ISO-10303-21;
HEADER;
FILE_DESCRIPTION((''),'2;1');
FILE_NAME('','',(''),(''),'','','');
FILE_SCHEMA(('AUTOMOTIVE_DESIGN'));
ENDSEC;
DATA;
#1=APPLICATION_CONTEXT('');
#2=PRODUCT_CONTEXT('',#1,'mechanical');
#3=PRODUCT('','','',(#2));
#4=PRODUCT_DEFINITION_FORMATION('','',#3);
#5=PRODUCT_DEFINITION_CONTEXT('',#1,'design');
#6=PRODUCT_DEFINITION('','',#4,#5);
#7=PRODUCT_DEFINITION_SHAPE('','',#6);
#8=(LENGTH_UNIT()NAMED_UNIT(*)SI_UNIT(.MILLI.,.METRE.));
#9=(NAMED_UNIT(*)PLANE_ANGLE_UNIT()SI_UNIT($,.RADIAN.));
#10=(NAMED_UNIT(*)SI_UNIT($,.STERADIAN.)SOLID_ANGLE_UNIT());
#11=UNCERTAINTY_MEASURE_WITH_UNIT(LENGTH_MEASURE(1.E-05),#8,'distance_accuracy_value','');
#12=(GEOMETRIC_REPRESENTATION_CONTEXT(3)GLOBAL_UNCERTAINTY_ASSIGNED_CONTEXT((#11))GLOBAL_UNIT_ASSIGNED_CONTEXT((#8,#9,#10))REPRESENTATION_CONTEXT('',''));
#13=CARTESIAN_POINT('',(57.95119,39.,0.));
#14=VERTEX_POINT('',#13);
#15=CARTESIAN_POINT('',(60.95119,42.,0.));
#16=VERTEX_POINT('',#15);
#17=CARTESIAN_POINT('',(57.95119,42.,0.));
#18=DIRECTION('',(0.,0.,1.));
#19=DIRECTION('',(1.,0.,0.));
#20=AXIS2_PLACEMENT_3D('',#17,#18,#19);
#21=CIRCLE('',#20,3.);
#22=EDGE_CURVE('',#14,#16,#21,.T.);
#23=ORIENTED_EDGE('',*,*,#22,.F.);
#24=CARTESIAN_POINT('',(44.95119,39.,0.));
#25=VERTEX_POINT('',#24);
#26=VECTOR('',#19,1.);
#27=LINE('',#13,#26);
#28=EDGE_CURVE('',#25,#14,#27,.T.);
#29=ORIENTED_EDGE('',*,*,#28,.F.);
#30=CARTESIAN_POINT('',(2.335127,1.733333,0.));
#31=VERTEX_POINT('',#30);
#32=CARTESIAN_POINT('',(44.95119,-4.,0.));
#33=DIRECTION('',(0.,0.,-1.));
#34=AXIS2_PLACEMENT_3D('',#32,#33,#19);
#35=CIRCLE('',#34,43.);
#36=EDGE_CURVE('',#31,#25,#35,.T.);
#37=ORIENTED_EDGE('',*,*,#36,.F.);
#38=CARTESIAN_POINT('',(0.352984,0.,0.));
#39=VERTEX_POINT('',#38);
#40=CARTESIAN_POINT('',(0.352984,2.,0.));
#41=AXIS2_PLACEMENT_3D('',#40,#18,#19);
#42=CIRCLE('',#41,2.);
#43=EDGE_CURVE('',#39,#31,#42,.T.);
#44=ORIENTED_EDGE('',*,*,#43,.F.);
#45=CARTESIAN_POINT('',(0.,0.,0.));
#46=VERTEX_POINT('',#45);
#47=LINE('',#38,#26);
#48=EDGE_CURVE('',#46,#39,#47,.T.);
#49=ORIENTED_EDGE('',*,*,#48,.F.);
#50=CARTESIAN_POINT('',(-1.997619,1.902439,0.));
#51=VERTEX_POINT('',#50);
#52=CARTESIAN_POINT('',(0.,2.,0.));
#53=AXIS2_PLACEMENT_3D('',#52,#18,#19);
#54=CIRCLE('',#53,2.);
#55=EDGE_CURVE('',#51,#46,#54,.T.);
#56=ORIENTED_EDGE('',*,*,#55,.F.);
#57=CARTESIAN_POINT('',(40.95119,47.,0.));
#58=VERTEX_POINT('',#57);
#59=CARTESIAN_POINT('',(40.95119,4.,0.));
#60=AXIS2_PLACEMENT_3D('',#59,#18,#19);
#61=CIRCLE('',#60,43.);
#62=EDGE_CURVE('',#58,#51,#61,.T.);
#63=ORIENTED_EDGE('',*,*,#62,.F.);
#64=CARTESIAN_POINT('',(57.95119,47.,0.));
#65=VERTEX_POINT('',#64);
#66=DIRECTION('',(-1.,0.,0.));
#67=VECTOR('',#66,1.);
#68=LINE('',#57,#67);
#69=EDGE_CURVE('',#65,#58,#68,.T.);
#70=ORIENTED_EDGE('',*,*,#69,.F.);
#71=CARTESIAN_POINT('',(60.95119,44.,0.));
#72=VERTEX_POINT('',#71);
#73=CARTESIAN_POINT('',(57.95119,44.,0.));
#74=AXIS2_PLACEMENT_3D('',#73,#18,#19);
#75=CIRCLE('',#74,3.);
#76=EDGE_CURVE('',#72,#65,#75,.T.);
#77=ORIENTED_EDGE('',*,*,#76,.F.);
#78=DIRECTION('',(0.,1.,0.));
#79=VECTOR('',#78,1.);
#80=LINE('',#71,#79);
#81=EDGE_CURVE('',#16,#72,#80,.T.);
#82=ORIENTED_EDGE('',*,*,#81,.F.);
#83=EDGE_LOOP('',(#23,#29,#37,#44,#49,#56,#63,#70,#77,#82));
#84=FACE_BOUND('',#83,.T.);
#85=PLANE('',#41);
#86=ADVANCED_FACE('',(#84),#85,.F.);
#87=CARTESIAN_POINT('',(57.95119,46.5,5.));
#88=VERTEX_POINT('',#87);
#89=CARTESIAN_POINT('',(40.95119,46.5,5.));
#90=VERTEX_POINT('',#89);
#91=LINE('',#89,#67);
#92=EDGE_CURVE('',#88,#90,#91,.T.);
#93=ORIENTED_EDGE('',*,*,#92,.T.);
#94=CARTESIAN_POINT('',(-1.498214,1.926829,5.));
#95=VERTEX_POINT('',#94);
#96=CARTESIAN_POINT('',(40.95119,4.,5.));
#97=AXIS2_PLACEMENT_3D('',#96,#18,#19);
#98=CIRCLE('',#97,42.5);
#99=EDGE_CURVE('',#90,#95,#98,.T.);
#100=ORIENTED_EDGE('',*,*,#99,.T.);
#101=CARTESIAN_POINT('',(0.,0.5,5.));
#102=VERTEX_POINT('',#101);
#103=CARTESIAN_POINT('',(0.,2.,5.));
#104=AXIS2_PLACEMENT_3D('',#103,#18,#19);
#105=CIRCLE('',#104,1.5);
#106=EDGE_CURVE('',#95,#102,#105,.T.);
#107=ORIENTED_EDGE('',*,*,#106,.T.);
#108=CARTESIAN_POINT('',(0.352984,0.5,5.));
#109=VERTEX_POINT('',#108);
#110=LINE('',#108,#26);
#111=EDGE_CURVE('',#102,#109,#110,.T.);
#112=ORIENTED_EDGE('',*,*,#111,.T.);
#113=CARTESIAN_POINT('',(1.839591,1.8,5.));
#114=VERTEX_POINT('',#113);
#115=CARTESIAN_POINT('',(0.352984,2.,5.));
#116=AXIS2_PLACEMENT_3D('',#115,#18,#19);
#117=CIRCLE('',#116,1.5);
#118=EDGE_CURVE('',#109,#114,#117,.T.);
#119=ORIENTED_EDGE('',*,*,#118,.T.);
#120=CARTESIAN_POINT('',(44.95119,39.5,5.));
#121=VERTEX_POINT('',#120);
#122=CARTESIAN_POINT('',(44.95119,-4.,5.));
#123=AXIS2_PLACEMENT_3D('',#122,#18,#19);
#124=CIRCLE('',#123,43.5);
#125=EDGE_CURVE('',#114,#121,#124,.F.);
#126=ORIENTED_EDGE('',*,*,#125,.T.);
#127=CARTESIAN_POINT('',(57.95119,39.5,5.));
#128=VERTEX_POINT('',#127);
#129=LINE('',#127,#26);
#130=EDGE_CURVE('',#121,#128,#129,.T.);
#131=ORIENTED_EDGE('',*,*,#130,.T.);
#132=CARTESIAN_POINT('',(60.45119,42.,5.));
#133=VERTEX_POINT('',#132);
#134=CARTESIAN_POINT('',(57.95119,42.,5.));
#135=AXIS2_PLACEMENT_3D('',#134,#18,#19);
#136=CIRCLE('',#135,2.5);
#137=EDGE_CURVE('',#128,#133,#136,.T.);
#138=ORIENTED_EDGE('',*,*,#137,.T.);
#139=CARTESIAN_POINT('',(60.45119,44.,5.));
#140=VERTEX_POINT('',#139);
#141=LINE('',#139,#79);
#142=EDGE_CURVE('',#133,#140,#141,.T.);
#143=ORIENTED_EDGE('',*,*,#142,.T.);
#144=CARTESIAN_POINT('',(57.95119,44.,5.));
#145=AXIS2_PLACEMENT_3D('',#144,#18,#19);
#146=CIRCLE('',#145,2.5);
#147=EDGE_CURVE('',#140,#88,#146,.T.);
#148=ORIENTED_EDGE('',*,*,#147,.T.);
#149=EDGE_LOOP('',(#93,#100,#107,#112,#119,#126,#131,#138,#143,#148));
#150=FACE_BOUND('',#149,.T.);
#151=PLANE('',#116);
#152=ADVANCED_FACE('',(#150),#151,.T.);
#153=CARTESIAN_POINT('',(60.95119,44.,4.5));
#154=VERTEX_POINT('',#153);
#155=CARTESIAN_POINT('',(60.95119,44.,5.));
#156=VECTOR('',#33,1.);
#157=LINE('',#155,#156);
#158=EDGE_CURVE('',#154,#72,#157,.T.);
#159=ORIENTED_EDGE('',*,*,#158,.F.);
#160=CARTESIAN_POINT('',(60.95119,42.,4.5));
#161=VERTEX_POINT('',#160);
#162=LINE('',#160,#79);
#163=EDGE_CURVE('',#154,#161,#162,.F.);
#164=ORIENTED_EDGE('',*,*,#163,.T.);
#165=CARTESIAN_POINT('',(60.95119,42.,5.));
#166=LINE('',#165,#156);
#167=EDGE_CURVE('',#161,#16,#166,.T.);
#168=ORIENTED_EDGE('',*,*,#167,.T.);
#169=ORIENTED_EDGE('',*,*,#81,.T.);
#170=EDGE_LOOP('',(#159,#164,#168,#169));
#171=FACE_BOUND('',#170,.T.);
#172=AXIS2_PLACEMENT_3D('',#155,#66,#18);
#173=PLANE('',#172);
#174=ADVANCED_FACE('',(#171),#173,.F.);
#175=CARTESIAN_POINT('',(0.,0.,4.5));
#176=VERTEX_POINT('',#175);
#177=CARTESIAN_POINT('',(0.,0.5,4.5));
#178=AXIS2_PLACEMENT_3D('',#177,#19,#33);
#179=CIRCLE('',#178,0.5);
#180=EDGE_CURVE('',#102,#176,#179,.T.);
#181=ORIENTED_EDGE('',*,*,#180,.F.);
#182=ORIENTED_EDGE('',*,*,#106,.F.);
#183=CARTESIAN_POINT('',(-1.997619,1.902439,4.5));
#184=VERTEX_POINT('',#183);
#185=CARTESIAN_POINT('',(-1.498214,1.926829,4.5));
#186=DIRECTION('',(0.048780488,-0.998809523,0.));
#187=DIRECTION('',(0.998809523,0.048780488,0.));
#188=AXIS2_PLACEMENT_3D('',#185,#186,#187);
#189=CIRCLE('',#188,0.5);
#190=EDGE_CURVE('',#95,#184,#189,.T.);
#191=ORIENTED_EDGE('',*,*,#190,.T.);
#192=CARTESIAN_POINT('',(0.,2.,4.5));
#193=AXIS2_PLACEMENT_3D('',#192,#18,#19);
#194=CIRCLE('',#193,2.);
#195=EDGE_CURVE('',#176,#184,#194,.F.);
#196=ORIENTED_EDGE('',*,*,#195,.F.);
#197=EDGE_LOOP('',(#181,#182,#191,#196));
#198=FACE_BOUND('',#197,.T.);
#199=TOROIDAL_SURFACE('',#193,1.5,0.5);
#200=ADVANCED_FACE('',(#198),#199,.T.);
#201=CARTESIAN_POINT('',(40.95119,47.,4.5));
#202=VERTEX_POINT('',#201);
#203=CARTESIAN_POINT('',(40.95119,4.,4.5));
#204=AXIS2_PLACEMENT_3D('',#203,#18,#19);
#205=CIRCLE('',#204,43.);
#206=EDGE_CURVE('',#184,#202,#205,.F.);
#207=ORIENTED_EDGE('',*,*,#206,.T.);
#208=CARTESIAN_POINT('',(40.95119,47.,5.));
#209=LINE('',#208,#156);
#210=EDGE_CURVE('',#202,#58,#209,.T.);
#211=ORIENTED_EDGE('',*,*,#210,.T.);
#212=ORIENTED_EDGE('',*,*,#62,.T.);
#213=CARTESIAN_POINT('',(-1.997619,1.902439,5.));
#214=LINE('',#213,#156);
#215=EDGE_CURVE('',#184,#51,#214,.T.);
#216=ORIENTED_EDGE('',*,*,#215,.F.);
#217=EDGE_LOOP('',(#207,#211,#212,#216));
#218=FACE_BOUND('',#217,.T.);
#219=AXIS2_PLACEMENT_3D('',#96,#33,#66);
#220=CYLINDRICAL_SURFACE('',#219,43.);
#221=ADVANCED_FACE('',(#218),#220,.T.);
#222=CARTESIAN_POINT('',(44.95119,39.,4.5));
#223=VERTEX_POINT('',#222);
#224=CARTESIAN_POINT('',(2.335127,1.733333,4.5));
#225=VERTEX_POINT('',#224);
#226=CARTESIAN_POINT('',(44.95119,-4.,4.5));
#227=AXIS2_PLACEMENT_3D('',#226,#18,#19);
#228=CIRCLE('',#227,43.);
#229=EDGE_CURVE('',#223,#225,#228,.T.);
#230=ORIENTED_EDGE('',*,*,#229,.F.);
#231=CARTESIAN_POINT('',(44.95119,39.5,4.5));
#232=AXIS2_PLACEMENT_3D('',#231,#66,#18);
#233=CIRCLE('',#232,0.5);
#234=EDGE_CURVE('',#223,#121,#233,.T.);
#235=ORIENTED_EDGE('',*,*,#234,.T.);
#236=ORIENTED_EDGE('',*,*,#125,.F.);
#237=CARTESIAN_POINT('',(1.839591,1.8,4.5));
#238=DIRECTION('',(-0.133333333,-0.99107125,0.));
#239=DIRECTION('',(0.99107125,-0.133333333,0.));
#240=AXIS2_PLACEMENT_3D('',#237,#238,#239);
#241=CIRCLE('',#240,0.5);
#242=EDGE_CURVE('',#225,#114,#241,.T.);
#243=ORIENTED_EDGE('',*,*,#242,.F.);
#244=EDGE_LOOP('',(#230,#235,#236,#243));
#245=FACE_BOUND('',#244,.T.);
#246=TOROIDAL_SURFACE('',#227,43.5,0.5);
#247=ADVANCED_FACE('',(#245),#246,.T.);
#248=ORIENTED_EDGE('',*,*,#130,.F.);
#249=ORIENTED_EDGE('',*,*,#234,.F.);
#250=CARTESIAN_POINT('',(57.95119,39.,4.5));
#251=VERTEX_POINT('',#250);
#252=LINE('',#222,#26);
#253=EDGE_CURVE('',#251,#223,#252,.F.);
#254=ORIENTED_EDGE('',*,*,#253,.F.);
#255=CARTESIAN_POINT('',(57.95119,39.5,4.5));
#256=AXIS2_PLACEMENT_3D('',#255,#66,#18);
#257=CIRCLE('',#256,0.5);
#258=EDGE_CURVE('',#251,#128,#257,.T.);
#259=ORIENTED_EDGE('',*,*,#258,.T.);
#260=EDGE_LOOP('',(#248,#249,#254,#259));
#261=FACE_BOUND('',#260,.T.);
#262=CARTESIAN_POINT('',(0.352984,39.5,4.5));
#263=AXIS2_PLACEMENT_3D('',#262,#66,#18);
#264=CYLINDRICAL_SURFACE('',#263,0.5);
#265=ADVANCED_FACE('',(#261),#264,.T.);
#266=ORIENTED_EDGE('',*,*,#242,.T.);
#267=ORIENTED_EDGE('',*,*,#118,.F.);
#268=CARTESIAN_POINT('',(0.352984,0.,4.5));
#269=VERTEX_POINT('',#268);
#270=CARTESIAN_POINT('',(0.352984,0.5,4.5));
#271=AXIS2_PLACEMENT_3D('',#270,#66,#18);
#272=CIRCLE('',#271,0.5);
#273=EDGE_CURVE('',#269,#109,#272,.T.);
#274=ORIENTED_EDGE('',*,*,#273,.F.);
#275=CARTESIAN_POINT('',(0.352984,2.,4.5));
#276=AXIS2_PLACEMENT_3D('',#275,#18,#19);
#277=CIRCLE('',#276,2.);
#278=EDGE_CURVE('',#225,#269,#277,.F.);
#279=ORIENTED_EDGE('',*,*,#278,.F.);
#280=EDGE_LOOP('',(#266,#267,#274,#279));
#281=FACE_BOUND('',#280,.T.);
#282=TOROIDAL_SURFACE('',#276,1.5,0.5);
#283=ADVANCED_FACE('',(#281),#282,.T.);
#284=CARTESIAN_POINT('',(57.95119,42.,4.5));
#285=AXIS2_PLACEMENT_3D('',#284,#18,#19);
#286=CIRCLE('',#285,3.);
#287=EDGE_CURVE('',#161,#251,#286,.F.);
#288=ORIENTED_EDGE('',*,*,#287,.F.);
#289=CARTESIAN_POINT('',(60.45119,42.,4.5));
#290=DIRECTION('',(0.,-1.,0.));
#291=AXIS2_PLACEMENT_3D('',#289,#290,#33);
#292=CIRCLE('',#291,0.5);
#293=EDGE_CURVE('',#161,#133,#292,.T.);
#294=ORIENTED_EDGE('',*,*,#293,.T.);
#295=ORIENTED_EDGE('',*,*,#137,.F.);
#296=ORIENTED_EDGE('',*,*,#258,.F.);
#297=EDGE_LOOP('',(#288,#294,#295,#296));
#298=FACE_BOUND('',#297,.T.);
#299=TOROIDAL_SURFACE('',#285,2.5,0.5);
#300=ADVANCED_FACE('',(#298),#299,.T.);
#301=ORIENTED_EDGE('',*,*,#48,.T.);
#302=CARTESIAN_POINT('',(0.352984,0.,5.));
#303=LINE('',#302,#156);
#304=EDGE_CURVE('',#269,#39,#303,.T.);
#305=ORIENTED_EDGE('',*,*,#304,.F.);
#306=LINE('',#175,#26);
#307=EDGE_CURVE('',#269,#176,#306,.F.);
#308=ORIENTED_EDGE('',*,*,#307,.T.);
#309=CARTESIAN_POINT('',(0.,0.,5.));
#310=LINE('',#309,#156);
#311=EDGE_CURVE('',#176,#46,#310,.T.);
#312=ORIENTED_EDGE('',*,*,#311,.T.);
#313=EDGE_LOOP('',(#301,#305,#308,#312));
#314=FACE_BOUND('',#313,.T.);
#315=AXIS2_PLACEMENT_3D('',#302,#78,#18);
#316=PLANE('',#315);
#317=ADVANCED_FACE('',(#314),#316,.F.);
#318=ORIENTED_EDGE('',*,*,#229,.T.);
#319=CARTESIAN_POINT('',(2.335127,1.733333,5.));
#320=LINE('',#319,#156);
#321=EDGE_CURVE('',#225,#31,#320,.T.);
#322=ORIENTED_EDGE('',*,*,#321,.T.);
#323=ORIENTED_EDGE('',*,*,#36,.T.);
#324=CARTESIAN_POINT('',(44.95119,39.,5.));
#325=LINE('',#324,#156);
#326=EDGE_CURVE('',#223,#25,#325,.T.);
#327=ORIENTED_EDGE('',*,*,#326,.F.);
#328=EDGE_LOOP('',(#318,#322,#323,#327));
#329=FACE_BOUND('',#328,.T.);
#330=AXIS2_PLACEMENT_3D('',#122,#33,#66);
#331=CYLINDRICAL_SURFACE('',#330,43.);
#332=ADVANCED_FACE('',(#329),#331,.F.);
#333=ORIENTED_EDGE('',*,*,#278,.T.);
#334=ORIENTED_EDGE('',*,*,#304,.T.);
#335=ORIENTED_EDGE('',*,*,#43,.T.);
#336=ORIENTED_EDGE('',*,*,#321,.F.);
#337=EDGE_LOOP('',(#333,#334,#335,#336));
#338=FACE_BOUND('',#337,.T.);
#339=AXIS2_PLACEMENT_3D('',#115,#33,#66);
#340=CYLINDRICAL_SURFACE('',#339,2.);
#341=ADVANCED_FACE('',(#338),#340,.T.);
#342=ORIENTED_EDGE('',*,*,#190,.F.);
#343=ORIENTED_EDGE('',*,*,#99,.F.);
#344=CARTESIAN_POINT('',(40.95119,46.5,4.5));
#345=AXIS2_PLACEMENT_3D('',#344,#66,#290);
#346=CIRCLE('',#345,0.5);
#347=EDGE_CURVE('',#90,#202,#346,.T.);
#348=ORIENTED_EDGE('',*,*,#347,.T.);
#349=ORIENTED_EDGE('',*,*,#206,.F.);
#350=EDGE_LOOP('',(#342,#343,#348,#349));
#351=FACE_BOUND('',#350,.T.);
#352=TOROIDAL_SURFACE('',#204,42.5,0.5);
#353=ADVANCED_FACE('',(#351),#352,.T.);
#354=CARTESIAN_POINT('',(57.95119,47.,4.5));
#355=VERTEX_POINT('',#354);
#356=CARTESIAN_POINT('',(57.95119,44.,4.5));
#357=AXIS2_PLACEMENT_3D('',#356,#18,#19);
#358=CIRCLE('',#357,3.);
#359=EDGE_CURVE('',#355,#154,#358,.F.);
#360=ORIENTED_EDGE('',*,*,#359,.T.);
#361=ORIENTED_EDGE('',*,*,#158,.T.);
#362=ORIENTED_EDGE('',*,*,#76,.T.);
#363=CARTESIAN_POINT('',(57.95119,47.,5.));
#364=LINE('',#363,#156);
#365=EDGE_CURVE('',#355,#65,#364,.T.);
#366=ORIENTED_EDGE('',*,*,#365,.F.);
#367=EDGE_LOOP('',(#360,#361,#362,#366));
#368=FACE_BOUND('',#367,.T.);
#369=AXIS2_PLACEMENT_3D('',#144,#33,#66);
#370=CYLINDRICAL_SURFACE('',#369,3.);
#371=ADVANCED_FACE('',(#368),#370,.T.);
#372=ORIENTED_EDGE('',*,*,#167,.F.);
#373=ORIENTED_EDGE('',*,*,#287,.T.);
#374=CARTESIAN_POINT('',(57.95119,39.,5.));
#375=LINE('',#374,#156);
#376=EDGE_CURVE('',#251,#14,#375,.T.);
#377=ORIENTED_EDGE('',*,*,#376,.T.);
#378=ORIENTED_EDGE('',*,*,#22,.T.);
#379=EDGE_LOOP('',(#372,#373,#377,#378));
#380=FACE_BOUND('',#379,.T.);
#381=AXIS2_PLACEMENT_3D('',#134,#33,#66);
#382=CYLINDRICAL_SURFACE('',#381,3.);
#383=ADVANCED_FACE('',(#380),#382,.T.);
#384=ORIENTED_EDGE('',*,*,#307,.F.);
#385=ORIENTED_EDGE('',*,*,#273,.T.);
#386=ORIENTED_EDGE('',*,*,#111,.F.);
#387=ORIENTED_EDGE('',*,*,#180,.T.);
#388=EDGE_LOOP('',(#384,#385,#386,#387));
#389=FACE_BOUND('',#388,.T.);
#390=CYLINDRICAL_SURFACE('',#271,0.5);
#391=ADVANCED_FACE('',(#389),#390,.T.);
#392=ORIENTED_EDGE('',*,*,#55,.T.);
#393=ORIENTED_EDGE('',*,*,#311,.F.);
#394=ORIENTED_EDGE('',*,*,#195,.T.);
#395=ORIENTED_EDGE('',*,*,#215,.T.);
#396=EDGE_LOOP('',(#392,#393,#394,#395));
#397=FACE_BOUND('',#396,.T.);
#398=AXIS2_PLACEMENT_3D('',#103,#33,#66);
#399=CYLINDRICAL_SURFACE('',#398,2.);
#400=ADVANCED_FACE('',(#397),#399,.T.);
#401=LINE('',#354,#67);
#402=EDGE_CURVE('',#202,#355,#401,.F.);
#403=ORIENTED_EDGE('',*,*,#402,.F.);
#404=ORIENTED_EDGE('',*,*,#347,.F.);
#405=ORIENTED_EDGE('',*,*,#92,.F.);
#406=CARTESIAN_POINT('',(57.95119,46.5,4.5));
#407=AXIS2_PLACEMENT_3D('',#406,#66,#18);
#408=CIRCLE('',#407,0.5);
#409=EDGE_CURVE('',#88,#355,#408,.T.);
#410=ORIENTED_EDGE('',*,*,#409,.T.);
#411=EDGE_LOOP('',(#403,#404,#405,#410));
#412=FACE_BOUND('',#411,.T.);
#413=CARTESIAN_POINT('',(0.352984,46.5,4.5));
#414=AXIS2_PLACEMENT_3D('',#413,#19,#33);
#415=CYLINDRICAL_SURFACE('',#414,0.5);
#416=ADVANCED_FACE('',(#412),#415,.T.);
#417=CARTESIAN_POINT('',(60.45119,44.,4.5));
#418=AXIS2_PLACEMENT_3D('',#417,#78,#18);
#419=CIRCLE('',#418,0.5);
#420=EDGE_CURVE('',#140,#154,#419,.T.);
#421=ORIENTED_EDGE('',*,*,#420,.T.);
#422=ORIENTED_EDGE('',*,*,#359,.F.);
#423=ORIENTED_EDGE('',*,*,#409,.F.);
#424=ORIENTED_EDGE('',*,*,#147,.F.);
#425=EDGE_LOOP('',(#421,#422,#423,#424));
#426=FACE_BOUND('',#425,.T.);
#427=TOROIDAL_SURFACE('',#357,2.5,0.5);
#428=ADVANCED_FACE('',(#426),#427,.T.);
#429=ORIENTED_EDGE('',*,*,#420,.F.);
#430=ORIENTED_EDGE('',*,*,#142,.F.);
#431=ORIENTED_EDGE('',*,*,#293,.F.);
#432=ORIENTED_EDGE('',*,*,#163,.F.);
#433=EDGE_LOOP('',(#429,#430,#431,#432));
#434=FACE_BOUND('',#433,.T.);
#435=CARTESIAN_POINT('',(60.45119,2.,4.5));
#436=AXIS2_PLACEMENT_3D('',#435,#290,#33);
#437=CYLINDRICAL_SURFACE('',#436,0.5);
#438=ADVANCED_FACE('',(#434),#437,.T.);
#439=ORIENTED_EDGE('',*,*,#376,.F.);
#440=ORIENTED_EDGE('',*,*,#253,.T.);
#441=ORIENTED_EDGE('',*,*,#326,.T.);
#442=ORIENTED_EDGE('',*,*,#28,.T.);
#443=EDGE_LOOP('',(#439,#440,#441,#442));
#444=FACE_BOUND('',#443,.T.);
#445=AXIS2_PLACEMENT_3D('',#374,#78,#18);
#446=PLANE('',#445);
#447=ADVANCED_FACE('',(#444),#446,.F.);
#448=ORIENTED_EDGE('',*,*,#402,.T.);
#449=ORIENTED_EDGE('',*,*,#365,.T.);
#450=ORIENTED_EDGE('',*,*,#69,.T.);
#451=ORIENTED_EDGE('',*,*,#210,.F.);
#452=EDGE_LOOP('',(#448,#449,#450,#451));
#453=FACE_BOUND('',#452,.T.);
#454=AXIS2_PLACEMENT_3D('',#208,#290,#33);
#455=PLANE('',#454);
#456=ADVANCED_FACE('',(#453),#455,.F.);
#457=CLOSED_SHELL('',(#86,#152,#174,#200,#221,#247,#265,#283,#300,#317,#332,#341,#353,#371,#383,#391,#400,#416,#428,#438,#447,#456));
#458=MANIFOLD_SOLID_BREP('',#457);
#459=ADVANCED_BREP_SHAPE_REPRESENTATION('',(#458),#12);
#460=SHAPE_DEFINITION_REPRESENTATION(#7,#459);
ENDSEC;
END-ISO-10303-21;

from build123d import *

# Parameters (mm, degrees)
EXTRUDE_1_DEPTH = 5
FILLET_1_R      = 0.5


with BuildPart() as part:
    # Эскиз1 → Бобышка-Вытянуть1 (new body)
    with BuildSketch(Plane.XY):
        with BuildLine():
            Line((0.352984217, 0), (0, 0))
            ThreePointArc((0, 0), (-1.379289319, 0.551704113), (-1.997619047, 1.902439024))
            ThreePointArc((-1.997619047, 1.902439024), (9.812828894, 33.65472035), (40.951190459, 47))
            Line((40.951190459, 47), (57.951190459, 47))
            ThreePointArc((57.951190459, 47), (60.072510802, 46.121320344), (60.951190459, 44))
            Line((60.951190459, 44), (60.951190459, 42))
            ThreePointArc((60.951190459, 42), (60.072510802, 39.878679656), (57.951190459, 39))
            Line((57.951190459, 39), (44.951190459, 39))
            ThreePointArc((44.951190459, 39), (16.645125149, 28.369224066), (2.335126717, 1.733333333))
            ThreePointArc((2.335126717, 1.733333333), (1.669545394, 0.494454695), (0.352984217, 0))
        make_face()
    extrude(amount=EXTRUDE_1_DEPTH)

    # Скругление1
    fillet_1_edges = [part.edges().sort_by_distance(p)[0] for p in [
        (51.451190459, 39, 5),
        (60.072510802, 39.878679656, 5),
        (60.951190459, 43, 5),
        (60.072510802, 46.121320344, 5),
        (49.451190459, 47, 5),
        (9.812828894, 33.65472035, 5),
        (-1.379289319, 0.551704113, 5),
        (0.176492108, 0, 5),
        (1.669545394, 0.494454695, 5),
        (16.645125149, 28.369224066, 5),
    ]]
    fillet(fillet_1_edges, radius=FILLET_1_R)


solid = part.part
